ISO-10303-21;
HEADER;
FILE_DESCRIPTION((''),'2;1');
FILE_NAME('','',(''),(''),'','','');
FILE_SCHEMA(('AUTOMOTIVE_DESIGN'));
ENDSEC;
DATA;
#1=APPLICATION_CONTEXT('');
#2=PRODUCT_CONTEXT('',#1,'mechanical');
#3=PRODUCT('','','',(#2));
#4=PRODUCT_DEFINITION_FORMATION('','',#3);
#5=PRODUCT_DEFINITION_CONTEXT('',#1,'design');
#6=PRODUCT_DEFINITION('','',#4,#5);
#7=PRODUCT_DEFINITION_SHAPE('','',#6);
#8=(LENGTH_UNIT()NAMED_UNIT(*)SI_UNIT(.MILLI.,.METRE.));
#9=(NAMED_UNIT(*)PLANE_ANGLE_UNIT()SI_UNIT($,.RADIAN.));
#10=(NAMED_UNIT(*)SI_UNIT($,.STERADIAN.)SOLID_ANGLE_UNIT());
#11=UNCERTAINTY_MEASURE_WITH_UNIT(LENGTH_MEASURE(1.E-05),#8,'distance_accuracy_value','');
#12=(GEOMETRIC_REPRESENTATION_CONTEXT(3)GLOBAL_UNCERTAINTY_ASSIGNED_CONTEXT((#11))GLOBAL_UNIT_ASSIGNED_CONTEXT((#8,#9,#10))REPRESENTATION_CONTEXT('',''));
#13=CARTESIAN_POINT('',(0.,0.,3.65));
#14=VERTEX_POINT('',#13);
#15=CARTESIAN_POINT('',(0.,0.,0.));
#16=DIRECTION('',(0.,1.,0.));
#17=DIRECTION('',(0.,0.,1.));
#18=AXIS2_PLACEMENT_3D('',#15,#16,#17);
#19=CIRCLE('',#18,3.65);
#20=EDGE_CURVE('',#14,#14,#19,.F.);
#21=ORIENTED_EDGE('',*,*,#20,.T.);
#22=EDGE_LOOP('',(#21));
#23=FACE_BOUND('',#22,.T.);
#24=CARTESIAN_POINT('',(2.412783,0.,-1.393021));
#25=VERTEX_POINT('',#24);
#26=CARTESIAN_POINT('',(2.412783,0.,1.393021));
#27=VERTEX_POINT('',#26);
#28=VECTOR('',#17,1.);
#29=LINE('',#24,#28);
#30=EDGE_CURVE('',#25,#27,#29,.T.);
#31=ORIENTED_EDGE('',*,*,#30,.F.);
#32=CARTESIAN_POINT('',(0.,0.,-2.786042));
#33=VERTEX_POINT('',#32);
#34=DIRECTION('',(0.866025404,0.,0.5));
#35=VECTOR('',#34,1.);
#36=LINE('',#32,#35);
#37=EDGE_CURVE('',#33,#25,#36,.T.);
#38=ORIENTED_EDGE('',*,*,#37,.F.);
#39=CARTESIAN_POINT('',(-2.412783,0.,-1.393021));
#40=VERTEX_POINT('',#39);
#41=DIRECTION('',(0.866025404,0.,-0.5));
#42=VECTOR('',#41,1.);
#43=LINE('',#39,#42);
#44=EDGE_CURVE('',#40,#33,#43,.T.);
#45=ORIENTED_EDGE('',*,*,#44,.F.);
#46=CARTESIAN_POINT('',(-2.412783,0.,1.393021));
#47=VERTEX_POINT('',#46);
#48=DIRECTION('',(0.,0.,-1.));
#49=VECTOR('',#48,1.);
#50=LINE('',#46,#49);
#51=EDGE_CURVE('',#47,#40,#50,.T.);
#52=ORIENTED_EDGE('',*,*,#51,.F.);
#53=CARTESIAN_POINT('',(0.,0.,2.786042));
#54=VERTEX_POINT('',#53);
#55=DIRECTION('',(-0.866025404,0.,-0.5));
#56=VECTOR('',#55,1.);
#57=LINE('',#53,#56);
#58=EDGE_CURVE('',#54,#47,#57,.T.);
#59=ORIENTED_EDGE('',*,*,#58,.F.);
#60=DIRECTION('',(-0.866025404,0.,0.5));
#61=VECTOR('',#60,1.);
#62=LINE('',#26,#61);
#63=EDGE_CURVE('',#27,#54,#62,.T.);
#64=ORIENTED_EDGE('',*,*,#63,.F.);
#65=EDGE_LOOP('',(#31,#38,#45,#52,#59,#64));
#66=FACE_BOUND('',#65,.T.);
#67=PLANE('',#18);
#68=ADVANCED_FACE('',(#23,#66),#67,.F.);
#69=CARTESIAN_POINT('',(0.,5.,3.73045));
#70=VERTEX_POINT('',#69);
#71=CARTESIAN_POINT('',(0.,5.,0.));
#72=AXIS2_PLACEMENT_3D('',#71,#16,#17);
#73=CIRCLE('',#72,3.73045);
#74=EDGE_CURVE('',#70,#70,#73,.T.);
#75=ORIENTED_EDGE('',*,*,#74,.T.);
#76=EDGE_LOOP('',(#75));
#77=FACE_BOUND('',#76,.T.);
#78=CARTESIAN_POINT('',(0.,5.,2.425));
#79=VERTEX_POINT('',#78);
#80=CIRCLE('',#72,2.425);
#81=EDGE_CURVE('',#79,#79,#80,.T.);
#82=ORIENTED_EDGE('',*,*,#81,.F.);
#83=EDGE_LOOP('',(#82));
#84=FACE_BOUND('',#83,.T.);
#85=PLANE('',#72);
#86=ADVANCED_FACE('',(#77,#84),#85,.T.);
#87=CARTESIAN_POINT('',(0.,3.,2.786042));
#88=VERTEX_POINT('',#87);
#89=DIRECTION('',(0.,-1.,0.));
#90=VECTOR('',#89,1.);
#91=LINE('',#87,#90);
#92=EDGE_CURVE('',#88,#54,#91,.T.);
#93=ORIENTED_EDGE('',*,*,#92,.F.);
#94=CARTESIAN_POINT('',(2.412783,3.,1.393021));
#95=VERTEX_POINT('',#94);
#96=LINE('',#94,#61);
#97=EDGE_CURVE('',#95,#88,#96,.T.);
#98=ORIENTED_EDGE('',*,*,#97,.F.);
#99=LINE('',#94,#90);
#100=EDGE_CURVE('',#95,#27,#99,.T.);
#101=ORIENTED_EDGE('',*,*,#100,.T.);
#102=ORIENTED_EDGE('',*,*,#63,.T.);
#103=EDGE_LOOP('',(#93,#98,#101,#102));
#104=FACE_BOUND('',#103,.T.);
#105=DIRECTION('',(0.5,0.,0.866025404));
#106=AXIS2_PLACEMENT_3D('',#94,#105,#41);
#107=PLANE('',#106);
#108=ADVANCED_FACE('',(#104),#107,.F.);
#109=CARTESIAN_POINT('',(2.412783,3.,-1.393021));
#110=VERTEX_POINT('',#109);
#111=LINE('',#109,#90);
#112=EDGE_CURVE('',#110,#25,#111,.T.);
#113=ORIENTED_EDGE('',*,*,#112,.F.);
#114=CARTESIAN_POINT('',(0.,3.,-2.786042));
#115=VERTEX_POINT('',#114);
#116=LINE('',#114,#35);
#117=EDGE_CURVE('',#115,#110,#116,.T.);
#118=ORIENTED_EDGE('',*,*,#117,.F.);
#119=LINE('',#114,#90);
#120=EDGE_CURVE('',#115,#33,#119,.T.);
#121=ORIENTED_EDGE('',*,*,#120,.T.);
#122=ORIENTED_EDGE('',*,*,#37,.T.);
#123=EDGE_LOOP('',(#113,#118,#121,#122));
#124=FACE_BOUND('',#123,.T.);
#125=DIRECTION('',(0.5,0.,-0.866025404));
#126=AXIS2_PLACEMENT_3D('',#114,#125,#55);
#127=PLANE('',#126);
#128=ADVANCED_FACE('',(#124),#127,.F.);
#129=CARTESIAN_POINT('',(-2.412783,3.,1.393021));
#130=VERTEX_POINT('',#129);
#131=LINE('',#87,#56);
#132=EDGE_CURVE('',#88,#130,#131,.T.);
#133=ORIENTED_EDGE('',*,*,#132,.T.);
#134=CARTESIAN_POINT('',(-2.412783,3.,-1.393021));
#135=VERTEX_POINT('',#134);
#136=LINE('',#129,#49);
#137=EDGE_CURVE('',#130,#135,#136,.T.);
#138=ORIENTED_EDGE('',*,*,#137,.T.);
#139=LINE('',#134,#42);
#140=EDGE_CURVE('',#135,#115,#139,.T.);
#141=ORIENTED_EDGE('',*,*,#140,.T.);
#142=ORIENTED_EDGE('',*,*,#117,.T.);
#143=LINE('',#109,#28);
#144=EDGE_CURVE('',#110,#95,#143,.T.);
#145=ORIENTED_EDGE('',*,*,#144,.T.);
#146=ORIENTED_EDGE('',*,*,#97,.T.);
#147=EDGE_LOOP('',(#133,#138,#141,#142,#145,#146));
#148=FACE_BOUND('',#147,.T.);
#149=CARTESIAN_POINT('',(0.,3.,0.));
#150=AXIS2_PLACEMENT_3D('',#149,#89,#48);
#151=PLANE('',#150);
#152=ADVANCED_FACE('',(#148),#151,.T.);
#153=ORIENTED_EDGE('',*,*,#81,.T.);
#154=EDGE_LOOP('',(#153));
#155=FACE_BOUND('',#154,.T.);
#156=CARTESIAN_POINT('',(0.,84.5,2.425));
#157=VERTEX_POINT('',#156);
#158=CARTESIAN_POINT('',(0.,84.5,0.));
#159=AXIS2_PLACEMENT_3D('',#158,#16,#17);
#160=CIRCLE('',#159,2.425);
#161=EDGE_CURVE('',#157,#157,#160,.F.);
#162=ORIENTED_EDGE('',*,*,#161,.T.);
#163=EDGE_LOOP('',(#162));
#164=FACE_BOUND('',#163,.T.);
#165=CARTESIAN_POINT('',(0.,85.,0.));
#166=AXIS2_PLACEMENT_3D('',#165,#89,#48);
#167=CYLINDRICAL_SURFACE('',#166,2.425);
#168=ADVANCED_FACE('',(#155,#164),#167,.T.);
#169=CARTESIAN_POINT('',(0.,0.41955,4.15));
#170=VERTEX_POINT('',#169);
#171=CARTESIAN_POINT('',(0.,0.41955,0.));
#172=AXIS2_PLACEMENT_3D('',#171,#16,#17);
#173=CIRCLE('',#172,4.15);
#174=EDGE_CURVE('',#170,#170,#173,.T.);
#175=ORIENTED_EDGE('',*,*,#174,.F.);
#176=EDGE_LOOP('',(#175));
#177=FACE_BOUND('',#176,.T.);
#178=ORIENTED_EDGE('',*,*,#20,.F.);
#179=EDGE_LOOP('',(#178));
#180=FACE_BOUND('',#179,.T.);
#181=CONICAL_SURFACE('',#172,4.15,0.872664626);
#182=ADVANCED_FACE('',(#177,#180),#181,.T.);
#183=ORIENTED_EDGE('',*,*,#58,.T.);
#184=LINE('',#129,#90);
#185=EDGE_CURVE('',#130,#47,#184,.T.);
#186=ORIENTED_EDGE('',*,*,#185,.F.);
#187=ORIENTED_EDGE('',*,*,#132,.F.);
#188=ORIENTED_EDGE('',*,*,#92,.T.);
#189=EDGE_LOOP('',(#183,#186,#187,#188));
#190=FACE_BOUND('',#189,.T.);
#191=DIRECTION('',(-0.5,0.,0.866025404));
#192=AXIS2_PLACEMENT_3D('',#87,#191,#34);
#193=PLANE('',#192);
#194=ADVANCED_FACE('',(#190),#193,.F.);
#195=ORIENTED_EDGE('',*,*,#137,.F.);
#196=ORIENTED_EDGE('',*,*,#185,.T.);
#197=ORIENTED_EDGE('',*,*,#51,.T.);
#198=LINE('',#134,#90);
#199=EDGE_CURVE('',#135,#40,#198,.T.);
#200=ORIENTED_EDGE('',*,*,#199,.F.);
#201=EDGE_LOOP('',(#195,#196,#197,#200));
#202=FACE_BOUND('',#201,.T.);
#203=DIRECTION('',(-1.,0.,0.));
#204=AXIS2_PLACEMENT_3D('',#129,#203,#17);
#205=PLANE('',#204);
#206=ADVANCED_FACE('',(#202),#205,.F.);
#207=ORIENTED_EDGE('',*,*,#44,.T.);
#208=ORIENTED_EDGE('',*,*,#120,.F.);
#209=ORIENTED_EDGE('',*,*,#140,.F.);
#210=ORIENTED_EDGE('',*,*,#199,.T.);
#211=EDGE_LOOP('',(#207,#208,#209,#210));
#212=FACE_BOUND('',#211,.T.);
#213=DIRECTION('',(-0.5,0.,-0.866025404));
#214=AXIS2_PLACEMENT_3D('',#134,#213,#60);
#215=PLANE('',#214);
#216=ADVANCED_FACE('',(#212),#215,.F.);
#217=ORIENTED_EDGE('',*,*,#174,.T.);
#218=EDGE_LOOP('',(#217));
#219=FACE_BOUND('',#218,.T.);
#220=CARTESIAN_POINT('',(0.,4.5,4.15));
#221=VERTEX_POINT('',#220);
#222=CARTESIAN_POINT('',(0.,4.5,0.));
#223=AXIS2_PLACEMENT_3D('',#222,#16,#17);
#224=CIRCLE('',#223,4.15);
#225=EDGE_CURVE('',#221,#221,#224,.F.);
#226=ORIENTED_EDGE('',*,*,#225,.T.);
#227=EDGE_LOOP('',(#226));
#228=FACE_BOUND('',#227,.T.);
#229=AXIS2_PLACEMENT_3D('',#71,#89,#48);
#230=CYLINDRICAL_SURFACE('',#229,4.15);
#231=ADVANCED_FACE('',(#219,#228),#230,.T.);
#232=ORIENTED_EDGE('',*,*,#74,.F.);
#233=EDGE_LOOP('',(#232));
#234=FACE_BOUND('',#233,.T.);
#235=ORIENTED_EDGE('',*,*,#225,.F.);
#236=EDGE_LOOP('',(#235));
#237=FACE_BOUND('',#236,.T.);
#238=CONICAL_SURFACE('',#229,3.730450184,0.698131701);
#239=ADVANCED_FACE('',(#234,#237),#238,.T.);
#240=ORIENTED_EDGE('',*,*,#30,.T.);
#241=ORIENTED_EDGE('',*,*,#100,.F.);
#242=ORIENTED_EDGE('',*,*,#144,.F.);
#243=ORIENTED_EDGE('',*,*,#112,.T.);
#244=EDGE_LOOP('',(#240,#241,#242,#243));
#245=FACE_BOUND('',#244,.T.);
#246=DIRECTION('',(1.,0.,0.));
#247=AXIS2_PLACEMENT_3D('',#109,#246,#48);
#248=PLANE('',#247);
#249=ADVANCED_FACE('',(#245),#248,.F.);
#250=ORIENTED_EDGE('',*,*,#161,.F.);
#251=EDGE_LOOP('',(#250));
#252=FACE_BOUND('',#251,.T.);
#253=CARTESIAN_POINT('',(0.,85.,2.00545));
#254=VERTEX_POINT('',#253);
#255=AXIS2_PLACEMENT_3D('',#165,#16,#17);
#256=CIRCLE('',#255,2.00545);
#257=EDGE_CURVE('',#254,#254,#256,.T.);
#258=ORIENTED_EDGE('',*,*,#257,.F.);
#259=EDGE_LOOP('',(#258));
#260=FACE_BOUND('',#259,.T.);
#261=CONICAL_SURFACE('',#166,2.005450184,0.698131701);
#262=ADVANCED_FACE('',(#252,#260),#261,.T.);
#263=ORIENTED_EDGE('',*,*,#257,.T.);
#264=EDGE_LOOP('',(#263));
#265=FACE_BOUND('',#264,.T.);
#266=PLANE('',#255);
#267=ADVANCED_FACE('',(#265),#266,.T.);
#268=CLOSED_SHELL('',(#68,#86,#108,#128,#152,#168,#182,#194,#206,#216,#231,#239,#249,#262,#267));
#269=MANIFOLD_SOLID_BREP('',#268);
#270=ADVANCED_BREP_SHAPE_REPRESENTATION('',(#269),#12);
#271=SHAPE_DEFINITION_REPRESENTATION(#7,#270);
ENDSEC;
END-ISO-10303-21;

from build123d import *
from OCP.BRepFilletAPI import BRepFilletAPI_MakeChamfer

# Parameters (mm, degrees)
SKETCH1_R           = 4.15
BOSS_EXTRUDE1_DEPTH = 5
SKETCH2_R           = 2.425
BOSS_EXTRUDE2_DEPTH = 80
CUT_EXTRUDE1_DEPTH  = 3
CHAMFER1_SIZE       = 0.5
CHAMFER1_SIZE2      = 0.419549816


with BuildPart() as part:
    # Sketch1 → Boss-Extrude1 (new body)
    with BuildSketch(Plane(origin=(0, 0, 0), x_dir=(1, 0, 0), z_dir=(0, 1, 0))):
        with Locations(Location((0, 0, 0), (0, 0, 270))):
            Circle(SKETCH1_R)
    extrude(amount=BOSS_EXTRUDE1_DEPTH)

    # Sketch2 → Boss-Extrude2 (add)
    with BuildSketch(Plane(origin=(0, 5, 0), x_dir=(1, 0, 0), z_dir=(0, 1, 0))):
        with Locations(Location((0, 0, 0), (0, 0, 270))):
            Circle(SKETCH2_R)
    extrude(amount=BOSS_EXTRUDE2_DEPTH)

    # Sketch3 → Cut-Extrude1 (cut)
    with BuildSketch(Plane.XZ):
        Polygon((0, 2.786041865), (-2.412783031, 1.393020932), (-2.412783031, -1.393020932), (0, -2.786041865), (2.412783031, -1.393020932), (2.412783031, 1.393020932), align=None)
    extrude(amount=-CUT_EXTRUDE1_DEPTH, mode=Mode.SUBTRACT)

    # Chamfer1: one chamfer whose edges measure the first distance from different faces: ONE call of the kernel's chamfer builder (chamfer() names one face for all edges)
    chamfer1_edges_1 = [part.edges().sort_by_distance(p)[0] for p in [
        (0, 0, -4.15),
    ]]
    chamfer1_side_1 = [part.faces().sort_by_distance(p)[0] for p in [
        (0, 0, -4.032620274),
    ]]
    chamfer1_edges_2 = [part.edges().sort_by_distance(p)[0] for p in [
        (0, 5, -4.15),
    ]]
    chamfer1_side_2 = [part.faces().sort_by_distance(p)[0] for p in [
        (0, 2.5, -4.15),
    ]]
    chamfer1_edges_3 = [part.edges().sort_by_distance(p)[0] for p in [
        (0, 85, -2.425),
    ]]
    chamfer1_side_3 = [part.faces().sort_by_distance(p)[0] for p in [
        (0, 45, -2.425),
    ]]
    chamfer1 = BRepFilletAPI_MakeChamfer(part.part.solid().wrapped)
    for e in chamfer1_edges_1:
        chamfer1.Add(CHAMFER1_SIZE, CHAMFER1_SIZE2, e.wrapped, chamfer1_side_1[0].wrapped)  # the first distance lies on this face
    for e in chamfer1_edges_2:
        chamfer1.Add(CHAMFER1_SIZE, CHAMFER1_SIZE2, e.wrapped, chamfer1_side_2[0].wrapped)  # the first distance lies on this face
    for e in chamfer1_edges_3:
        chamfer1.Add(CHAMFER1_SIZE, CHAMFER1_SIZE2, e.wrapped, chamfer1_side_3[0].wrapped)  # the first distance lies on this face
    add(Compound.cast(chamfer1.Shape()), mode=Mode.REPLACE)


solid = part.part
